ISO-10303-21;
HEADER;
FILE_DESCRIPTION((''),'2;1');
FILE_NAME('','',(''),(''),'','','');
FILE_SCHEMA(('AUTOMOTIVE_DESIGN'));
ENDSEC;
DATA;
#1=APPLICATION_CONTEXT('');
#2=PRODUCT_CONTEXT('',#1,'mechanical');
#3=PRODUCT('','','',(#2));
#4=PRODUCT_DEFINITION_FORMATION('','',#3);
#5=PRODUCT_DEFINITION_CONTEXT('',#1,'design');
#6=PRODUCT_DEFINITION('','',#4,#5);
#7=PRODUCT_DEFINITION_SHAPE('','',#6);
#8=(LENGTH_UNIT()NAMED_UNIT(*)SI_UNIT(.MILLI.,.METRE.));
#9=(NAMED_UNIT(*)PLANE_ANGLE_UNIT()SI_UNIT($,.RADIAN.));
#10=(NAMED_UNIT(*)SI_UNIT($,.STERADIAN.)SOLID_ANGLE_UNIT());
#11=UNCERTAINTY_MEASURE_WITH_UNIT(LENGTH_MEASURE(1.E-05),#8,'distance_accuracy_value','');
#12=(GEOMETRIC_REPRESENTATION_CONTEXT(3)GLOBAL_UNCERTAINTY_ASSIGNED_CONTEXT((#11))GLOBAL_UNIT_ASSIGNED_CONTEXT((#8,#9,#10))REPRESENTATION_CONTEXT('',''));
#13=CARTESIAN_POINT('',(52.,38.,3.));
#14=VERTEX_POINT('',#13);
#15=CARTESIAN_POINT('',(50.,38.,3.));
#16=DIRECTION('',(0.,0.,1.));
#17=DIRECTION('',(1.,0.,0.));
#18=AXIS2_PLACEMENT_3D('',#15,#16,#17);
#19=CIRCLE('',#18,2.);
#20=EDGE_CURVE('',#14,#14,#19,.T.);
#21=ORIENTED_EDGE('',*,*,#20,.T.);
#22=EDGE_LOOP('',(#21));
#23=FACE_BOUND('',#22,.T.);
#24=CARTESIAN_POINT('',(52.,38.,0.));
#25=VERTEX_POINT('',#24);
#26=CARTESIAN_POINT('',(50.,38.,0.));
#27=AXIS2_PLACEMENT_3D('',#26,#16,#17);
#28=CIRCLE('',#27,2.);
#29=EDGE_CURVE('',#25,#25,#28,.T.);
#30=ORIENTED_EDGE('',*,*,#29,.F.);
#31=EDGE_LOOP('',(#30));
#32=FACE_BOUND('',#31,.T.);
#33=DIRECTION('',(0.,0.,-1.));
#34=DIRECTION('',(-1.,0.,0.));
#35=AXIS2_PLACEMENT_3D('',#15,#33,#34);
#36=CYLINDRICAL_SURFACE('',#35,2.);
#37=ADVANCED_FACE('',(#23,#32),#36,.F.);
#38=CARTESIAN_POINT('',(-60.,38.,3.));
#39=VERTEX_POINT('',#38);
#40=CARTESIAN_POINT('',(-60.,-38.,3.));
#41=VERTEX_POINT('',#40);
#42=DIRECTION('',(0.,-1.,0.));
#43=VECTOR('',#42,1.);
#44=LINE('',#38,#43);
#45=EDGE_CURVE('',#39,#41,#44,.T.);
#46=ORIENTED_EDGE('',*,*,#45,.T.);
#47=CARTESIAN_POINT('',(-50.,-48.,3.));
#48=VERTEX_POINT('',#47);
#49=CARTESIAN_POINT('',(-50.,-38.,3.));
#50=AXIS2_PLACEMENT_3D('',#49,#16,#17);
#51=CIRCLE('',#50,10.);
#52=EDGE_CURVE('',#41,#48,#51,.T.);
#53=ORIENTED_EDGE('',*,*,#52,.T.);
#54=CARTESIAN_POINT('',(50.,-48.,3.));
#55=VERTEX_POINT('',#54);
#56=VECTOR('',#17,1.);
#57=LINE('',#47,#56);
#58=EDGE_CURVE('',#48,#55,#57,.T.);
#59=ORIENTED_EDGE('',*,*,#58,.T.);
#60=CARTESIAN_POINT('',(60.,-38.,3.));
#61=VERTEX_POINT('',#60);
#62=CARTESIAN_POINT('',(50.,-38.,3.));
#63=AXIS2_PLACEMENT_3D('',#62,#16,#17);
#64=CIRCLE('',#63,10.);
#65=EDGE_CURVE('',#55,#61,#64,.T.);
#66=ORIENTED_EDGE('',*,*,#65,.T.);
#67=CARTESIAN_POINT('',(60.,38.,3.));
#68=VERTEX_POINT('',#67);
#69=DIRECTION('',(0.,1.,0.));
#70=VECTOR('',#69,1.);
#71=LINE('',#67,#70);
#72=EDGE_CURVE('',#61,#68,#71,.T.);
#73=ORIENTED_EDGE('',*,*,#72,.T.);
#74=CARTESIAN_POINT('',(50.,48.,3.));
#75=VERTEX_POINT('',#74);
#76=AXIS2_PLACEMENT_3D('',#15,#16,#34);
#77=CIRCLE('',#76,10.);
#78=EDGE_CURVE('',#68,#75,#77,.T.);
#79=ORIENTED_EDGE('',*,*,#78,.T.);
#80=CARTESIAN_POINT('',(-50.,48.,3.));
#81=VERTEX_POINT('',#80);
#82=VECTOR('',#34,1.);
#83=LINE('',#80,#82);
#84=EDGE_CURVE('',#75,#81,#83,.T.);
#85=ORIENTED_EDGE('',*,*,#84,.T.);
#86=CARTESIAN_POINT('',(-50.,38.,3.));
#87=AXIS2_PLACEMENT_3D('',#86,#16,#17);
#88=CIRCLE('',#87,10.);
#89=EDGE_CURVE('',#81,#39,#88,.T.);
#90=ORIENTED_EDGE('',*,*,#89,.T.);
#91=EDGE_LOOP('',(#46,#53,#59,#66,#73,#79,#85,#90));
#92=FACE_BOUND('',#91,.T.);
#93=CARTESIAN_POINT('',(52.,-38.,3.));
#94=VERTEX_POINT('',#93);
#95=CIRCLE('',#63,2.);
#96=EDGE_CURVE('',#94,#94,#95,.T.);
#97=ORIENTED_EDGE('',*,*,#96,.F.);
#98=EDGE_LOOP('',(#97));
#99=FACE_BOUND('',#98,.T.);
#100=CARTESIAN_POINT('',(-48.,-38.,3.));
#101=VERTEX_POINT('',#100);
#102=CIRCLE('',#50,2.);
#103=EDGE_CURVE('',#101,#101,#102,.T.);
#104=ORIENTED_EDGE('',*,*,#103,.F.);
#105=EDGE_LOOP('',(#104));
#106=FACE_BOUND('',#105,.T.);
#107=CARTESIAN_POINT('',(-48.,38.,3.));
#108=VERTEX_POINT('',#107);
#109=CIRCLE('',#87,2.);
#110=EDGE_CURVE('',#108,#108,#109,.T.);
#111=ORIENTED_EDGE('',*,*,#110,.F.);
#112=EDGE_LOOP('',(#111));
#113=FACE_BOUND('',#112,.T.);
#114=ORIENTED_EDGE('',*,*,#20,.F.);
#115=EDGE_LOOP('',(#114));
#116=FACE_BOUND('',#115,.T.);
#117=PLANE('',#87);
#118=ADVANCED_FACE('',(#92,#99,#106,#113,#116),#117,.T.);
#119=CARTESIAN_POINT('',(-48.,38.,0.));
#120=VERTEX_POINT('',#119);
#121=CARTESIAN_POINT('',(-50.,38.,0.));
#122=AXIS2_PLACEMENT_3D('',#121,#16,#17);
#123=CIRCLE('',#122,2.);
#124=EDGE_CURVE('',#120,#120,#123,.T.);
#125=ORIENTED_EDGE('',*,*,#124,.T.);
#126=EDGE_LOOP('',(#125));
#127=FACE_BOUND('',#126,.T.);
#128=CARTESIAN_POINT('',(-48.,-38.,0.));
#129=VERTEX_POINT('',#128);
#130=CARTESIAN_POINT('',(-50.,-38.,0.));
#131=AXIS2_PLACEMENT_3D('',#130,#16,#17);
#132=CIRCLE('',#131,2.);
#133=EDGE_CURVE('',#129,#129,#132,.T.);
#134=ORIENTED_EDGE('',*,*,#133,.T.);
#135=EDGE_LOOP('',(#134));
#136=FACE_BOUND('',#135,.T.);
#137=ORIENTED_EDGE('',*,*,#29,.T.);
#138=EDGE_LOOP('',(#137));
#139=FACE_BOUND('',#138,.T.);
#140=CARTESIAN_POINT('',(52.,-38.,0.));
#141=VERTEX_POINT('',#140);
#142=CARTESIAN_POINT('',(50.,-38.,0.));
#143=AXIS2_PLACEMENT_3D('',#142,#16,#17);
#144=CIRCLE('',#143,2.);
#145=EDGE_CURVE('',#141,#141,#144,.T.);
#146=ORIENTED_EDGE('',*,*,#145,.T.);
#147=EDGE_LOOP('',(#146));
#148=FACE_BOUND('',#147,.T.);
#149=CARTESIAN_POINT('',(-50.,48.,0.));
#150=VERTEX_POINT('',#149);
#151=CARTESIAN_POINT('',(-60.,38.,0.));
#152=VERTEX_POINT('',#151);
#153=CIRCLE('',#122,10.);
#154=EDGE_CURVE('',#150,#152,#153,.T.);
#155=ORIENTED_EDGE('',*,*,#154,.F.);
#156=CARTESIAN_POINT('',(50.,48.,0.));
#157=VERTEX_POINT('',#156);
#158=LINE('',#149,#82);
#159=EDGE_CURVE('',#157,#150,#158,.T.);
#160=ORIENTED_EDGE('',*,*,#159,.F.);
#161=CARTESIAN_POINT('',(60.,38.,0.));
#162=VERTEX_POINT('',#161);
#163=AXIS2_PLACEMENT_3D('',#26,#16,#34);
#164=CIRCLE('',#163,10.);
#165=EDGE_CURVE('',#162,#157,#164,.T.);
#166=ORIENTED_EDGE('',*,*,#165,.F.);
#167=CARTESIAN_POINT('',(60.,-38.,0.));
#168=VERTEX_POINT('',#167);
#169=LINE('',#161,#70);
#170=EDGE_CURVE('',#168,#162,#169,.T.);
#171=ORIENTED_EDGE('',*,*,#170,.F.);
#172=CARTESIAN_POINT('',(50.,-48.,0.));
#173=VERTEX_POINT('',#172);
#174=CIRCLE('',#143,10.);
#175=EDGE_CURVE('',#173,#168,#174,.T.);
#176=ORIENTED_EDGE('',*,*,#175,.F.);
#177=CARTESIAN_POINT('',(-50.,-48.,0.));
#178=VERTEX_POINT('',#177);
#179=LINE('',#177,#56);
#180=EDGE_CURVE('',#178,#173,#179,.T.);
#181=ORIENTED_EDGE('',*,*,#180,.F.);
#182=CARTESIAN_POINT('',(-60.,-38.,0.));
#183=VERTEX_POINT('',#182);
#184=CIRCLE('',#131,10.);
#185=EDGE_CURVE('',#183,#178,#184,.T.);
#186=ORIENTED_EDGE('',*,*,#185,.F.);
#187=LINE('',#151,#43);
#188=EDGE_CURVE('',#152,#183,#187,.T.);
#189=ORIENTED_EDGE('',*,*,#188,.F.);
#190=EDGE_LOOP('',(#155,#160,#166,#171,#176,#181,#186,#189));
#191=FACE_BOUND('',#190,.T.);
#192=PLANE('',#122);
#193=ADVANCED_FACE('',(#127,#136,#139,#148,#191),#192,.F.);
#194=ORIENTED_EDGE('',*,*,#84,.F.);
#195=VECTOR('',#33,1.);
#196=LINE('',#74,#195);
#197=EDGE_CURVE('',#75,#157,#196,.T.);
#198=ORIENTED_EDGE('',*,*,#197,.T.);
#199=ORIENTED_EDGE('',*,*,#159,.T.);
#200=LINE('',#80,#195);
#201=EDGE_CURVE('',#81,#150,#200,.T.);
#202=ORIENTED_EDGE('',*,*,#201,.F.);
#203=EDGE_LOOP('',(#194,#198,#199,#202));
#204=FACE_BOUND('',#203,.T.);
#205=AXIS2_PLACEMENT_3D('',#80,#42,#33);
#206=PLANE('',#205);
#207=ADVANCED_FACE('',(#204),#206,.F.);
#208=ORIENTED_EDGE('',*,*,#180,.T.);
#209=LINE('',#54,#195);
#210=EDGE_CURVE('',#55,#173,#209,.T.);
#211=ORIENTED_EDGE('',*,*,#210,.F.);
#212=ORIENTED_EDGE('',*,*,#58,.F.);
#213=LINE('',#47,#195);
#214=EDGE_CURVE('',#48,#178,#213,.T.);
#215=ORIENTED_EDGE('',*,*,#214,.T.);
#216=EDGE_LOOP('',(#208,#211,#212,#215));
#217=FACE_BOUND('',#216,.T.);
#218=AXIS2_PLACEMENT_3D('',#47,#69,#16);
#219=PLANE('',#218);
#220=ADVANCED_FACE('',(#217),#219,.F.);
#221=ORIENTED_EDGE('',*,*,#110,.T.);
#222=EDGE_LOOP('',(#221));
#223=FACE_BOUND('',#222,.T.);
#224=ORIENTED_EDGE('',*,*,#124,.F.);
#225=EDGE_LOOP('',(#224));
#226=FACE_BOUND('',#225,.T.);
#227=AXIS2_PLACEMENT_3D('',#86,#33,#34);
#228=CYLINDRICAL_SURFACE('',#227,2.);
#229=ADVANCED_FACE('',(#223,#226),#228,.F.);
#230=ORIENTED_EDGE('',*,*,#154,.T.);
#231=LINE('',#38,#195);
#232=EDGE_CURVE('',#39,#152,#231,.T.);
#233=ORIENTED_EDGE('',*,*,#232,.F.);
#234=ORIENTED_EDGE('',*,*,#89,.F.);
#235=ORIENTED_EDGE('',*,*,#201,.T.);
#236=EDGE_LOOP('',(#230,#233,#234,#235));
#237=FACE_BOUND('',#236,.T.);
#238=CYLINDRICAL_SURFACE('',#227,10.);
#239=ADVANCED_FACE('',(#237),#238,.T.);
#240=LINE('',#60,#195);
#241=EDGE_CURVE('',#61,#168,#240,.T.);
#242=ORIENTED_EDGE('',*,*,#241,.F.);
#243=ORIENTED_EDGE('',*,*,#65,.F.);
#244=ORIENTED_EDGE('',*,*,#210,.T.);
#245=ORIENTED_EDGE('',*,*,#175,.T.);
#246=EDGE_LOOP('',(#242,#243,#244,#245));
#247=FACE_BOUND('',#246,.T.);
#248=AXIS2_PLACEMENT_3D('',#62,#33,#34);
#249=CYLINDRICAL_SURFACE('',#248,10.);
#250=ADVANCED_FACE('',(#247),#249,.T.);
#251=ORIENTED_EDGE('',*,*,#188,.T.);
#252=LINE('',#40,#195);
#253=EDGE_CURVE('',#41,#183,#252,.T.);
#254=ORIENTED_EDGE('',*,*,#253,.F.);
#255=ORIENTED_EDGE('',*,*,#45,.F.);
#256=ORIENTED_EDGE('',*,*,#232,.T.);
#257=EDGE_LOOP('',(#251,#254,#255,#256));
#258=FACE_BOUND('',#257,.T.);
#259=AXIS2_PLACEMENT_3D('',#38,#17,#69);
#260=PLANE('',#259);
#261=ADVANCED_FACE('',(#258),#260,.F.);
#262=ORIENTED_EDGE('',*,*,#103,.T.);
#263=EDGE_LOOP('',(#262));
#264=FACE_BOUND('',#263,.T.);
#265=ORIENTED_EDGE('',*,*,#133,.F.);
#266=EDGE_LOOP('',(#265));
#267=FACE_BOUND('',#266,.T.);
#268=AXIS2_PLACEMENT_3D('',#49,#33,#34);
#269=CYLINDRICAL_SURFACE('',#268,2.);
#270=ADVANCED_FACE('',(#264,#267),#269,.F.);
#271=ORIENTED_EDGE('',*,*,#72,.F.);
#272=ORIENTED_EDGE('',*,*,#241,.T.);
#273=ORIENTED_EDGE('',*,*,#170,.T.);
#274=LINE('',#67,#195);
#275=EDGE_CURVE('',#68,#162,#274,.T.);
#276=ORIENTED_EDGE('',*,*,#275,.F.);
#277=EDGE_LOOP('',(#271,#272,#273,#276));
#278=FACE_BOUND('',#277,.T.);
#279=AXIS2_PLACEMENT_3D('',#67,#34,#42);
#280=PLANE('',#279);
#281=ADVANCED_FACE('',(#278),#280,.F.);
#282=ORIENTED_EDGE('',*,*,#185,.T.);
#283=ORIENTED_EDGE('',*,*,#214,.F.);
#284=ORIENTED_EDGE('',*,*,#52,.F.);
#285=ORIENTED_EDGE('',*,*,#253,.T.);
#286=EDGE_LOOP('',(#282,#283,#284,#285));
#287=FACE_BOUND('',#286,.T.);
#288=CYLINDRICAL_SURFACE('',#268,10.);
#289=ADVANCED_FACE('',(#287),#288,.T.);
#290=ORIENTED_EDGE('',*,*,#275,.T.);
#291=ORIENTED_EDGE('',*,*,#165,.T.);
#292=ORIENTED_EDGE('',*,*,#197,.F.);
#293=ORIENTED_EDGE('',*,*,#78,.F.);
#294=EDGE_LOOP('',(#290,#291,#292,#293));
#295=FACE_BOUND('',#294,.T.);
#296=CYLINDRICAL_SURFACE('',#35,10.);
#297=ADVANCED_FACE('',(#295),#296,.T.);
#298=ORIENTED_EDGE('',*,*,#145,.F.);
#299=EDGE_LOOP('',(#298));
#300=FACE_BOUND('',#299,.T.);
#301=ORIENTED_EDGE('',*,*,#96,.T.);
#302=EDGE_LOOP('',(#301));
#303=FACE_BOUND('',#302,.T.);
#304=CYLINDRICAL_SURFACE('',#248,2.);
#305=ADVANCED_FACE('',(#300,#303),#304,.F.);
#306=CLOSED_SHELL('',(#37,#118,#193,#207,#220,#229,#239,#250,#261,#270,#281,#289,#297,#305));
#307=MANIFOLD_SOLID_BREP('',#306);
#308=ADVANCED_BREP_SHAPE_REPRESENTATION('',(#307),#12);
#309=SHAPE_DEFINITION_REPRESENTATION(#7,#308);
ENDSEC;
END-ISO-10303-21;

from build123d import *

# Parameters (mm, degrees)
SKETCH1_R           = 2
BOSS_EXTRUDE1_DEPTH = 3


with BuildPart() as part:
    # Sketch1 → Boss-Extrude1 (new body)
    with BuildSketch(Plane.XY):
        with BuildLine():
            Line((-50, 48), (50, 48))
            ThreePointArc((50, 48), (57.071067812, 45.071067812), (60, 38))
            Line((60, 38), (60, -38))
            ThreePointArc((60, -38), (57.071067812, -45.071067812), (50, -48))
            Line((50, -48), (-50, -48))
            ThreePointArc((-50, -48), (-57.071067812, -45.071067812), (-60, -38))
            Line((-60, -38), (-60, 38))
            ThreePointArc((-60, 38), (-57.071067812, 45.071067812), (-50, 48))
        make_face()
        with Locations((-50, 38)):
            Circle(SKETCH1_R, mode=Mode.SUBTRACT)
        with Locations((50, 38)):
            Circle(SKETCH1_R, mode=Mode.SUBTRACT)
        with Locations((50, -38)):
            Circle(SKETCH1_R, mode=Mode.SUBTRACT)
        with Locations((-50, -38)):
            Circle(SKETCH1_R, mode=Mode.SUBTRACT)
    extrude(amount=BOSS_EXTRUDE1_DEPTH)


solid = part.part
